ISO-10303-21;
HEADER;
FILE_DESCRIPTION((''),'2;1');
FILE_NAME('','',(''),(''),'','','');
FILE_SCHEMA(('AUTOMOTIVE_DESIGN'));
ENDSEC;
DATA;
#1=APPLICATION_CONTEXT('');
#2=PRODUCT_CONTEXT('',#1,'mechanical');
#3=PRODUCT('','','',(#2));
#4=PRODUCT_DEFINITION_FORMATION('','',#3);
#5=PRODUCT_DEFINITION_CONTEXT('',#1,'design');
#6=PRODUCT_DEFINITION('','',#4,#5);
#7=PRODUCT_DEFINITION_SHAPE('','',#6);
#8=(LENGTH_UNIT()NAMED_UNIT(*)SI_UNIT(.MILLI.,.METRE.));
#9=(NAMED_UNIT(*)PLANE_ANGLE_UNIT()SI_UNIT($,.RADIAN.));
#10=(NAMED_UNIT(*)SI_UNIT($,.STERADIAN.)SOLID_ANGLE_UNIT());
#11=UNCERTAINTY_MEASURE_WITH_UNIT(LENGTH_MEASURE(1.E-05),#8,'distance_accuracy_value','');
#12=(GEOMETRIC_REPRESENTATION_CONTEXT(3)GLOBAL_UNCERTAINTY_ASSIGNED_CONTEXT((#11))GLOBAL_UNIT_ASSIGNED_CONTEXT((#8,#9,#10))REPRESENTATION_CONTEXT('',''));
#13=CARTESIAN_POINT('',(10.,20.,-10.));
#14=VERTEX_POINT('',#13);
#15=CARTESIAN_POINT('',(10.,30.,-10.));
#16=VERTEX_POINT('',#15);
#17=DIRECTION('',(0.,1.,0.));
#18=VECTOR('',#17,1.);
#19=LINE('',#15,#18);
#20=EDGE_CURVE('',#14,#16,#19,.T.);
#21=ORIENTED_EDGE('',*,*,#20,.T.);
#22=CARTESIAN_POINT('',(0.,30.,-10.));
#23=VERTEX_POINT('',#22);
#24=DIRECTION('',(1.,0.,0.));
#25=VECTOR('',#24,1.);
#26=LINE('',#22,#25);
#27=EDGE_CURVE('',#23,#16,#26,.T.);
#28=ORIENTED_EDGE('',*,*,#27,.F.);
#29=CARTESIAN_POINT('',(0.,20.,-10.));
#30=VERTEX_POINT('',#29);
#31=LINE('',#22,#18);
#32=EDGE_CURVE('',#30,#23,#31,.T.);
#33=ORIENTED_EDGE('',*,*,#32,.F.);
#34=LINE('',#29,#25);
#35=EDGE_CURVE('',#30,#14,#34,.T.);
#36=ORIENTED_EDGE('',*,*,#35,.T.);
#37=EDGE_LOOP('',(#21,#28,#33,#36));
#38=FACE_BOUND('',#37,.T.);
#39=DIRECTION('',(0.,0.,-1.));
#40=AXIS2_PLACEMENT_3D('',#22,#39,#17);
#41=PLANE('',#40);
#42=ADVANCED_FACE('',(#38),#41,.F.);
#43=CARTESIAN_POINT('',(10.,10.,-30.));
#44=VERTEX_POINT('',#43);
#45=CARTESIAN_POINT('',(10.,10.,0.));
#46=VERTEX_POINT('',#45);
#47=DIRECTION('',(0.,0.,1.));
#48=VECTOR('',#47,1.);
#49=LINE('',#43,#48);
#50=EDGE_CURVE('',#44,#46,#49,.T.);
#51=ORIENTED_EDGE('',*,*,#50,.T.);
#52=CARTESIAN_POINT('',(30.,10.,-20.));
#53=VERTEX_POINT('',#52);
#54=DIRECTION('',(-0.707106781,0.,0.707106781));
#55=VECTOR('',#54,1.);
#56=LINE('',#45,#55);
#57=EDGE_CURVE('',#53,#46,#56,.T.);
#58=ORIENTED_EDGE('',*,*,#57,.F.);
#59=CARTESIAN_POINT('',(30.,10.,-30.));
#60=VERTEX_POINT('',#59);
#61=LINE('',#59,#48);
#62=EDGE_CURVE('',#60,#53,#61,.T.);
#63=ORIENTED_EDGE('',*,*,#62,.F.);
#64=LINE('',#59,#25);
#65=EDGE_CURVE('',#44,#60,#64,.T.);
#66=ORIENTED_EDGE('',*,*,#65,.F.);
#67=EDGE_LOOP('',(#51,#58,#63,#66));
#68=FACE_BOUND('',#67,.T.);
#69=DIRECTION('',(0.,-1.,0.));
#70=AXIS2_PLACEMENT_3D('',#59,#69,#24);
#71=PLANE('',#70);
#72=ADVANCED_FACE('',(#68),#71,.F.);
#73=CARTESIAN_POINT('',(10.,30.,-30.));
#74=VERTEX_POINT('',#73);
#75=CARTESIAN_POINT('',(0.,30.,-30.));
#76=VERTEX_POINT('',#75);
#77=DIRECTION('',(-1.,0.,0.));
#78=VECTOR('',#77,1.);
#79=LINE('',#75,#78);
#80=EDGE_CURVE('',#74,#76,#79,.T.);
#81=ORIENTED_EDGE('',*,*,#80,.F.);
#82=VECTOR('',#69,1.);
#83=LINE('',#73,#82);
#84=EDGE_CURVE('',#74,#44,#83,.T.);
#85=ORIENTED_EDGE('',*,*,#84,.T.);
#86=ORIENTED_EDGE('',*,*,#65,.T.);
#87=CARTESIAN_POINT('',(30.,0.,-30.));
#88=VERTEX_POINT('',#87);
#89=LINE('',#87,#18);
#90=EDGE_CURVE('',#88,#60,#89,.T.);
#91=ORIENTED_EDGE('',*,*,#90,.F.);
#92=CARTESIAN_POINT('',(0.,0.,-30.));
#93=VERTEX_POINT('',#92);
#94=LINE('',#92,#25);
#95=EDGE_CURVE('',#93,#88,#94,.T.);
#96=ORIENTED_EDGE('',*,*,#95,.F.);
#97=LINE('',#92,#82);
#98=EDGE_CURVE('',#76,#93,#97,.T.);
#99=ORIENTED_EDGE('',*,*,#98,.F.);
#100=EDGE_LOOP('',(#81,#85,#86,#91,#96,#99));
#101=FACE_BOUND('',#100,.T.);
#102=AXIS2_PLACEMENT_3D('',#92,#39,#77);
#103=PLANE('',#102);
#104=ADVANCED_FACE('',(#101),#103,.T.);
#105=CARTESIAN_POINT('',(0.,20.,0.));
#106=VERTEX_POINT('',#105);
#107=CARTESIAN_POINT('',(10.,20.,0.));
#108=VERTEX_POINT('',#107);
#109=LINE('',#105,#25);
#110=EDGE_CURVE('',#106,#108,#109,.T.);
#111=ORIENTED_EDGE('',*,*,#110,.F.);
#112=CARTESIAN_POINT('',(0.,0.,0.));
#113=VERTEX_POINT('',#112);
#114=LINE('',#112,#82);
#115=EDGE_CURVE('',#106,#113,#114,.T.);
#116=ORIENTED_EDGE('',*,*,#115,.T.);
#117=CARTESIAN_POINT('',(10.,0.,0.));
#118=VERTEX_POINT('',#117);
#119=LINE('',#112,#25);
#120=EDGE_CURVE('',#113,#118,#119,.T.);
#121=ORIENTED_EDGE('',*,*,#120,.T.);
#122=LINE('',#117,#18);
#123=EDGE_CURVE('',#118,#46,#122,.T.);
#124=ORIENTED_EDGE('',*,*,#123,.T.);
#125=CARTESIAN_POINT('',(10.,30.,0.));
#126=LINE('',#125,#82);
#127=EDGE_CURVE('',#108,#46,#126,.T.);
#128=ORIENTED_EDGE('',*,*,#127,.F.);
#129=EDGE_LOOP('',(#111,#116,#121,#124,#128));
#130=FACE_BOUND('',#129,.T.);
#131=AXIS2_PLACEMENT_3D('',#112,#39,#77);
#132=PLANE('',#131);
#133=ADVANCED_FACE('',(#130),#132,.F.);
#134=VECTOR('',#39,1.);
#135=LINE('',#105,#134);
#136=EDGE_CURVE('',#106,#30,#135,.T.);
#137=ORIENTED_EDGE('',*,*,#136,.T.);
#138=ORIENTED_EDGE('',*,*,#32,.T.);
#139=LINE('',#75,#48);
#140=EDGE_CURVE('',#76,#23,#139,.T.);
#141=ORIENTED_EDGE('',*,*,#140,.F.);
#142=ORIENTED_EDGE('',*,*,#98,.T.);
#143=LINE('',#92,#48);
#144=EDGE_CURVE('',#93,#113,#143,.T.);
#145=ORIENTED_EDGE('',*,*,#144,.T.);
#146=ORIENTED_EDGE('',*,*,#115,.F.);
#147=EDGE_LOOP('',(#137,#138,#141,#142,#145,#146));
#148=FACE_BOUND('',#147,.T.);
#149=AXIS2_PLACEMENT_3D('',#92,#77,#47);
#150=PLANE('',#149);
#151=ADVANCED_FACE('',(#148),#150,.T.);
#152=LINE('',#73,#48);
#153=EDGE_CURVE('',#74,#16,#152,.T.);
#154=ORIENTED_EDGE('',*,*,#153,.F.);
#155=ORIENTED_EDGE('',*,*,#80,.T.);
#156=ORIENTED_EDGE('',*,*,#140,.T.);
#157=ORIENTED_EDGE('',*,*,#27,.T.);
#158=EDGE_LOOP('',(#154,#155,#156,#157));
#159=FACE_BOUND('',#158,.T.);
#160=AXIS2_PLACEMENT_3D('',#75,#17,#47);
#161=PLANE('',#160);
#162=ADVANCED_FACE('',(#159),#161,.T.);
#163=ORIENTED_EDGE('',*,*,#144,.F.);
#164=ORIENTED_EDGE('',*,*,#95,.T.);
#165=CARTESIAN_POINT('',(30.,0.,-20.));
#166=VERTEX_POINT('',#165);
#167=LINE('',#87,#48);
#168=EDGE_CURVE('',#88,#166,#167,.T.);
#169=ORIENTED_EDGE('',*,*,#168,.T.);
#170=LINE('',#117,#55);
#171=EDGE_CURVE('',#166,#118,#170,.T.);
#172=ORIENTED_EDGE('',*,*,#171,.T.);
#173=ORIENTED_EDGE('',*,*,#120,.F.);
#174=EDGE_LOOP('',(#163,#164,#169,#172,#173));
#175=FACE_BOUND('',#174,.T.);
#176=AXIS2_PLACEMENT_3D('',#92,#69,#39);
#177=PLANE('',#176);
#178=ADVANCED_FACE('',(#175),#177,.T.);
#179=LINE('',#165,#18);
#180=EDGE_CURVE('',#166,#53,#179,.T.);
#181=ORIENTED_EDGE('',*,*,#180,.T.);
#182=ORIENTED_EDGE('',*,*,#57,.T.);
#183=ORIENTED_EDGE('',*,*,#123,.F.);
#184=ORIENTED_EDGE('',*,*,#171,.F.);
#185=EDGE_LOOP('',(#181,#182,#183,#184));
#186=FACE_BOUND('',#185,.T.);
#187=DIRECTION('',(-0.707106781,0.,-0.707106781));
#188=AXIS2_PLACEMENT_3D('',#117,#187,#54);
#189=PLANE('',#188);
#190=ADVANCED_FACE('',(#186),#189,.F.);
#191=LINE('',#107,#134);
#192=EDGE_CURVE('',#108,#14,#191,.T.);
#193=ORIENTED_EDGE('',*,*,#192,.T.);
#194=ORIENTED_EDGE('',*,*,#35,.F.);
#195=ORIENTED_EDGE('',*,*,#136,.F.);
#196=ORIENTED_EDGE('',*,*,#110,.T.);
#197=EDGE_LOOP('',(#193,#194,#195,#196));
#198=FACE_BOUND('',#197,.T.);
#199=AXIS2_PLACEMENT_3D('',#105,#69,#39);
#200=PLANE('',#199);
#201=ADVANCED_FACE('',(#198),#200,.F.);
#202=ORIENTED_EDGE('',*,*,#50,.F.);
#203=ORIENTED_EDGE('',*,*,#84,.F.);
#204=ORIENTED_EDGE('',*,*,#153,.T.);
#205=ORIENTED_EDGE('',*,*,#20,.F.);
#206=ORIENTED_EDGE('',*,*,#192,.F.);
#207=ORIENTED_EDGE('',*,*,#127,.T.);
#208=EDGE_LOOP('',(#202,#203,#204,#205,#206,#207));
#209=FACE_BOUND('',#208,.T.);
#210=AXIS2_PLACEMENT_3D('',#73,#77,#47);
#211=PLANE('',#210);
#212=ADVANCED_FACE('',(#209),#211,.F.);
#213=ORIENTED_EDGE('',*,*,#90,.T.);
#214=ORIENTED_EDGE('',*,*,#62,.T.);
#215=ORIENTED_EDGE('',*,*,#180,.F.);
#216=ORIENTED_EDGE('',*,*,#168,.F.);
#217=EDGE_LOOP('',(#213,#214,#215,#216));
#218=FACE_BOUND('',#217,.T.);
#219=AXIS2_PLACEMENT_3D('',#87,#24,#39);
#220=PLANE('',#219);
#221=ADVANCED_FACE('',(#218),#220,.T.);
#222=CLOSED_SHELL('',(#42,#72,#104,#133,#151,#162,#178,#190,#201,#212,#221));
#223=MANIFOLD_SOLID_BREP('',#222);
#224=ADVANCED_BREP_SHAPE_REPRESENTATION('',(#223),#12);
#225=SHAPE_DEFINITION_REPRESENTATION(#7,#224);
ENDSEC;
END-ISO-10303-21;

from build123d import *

# Parameters (mm, degrees)
SKETCH_1_W           = 30
SKETCH_1_H           = 30
EXTRUDE_1_DEPTH      = 30
SKETCH_34_W          = 20
SKETCH_34_H          = 20
CUT_EXTRUDE_23_DEPTH = 52.961524227
SKETCH_35_W          = 10
SKETCH_35_H          = 10
CUT_EXTRUDE_24_DEPTH = 47.904157598
CUT_EXTRUDE_25_DEPTH = 47.904157598


with BuildPart() as part:
    # 草圖1 → 填料-伸1 (new body)
    with BuildSketch(Plane.XY):
        with Locations((15, 15)):
            Rectangle(SKETCH_1_W, SKETCH_1_H)
    extrude(amount=-EXTRUDE_1_DEPTH)

    # 草圖34 → 除料-伸長23 (cut, through all)
    with BuildSketch(Plane.XY):
        with Locations((20, 20)):
            Rectangle(SKETCH_34_W, SKETCH_34_H)
    extrude(amount=-CUT_EXTRUDE_23_DEPTH, mode=Mode.SUBTRACT)

    # 草圖35 → 除料-伸長24 (cut, through all)
    with BuildSketch(Plane(origin=(10, 0, 0), x_dir=(0, 0, -1), z_dir=(1, 0, 0))):
        with Locations((5, 25)):
            Rectangle(SKETCH_35_W, SKETCH_35_H)
    extrude(amount=-CUT_EXTRUDE_24_DEPTH, mode=Mode.SUBTRACT)

    # 草圖36 → 除料-伸長25 (cut, through all)
    with BuildSketch(Plane(origin=(0, 10, 0), x_dir=(1, 0, 0), z_dir=(0, 1, 0))):
        Polygon((10, 0), (30, 20), (30, 0), align=None)
    extrude(amount=-CUT_EXTRUDE_25_DEPTH, mode=Mode.SUBTRACT)


solid = part.part
